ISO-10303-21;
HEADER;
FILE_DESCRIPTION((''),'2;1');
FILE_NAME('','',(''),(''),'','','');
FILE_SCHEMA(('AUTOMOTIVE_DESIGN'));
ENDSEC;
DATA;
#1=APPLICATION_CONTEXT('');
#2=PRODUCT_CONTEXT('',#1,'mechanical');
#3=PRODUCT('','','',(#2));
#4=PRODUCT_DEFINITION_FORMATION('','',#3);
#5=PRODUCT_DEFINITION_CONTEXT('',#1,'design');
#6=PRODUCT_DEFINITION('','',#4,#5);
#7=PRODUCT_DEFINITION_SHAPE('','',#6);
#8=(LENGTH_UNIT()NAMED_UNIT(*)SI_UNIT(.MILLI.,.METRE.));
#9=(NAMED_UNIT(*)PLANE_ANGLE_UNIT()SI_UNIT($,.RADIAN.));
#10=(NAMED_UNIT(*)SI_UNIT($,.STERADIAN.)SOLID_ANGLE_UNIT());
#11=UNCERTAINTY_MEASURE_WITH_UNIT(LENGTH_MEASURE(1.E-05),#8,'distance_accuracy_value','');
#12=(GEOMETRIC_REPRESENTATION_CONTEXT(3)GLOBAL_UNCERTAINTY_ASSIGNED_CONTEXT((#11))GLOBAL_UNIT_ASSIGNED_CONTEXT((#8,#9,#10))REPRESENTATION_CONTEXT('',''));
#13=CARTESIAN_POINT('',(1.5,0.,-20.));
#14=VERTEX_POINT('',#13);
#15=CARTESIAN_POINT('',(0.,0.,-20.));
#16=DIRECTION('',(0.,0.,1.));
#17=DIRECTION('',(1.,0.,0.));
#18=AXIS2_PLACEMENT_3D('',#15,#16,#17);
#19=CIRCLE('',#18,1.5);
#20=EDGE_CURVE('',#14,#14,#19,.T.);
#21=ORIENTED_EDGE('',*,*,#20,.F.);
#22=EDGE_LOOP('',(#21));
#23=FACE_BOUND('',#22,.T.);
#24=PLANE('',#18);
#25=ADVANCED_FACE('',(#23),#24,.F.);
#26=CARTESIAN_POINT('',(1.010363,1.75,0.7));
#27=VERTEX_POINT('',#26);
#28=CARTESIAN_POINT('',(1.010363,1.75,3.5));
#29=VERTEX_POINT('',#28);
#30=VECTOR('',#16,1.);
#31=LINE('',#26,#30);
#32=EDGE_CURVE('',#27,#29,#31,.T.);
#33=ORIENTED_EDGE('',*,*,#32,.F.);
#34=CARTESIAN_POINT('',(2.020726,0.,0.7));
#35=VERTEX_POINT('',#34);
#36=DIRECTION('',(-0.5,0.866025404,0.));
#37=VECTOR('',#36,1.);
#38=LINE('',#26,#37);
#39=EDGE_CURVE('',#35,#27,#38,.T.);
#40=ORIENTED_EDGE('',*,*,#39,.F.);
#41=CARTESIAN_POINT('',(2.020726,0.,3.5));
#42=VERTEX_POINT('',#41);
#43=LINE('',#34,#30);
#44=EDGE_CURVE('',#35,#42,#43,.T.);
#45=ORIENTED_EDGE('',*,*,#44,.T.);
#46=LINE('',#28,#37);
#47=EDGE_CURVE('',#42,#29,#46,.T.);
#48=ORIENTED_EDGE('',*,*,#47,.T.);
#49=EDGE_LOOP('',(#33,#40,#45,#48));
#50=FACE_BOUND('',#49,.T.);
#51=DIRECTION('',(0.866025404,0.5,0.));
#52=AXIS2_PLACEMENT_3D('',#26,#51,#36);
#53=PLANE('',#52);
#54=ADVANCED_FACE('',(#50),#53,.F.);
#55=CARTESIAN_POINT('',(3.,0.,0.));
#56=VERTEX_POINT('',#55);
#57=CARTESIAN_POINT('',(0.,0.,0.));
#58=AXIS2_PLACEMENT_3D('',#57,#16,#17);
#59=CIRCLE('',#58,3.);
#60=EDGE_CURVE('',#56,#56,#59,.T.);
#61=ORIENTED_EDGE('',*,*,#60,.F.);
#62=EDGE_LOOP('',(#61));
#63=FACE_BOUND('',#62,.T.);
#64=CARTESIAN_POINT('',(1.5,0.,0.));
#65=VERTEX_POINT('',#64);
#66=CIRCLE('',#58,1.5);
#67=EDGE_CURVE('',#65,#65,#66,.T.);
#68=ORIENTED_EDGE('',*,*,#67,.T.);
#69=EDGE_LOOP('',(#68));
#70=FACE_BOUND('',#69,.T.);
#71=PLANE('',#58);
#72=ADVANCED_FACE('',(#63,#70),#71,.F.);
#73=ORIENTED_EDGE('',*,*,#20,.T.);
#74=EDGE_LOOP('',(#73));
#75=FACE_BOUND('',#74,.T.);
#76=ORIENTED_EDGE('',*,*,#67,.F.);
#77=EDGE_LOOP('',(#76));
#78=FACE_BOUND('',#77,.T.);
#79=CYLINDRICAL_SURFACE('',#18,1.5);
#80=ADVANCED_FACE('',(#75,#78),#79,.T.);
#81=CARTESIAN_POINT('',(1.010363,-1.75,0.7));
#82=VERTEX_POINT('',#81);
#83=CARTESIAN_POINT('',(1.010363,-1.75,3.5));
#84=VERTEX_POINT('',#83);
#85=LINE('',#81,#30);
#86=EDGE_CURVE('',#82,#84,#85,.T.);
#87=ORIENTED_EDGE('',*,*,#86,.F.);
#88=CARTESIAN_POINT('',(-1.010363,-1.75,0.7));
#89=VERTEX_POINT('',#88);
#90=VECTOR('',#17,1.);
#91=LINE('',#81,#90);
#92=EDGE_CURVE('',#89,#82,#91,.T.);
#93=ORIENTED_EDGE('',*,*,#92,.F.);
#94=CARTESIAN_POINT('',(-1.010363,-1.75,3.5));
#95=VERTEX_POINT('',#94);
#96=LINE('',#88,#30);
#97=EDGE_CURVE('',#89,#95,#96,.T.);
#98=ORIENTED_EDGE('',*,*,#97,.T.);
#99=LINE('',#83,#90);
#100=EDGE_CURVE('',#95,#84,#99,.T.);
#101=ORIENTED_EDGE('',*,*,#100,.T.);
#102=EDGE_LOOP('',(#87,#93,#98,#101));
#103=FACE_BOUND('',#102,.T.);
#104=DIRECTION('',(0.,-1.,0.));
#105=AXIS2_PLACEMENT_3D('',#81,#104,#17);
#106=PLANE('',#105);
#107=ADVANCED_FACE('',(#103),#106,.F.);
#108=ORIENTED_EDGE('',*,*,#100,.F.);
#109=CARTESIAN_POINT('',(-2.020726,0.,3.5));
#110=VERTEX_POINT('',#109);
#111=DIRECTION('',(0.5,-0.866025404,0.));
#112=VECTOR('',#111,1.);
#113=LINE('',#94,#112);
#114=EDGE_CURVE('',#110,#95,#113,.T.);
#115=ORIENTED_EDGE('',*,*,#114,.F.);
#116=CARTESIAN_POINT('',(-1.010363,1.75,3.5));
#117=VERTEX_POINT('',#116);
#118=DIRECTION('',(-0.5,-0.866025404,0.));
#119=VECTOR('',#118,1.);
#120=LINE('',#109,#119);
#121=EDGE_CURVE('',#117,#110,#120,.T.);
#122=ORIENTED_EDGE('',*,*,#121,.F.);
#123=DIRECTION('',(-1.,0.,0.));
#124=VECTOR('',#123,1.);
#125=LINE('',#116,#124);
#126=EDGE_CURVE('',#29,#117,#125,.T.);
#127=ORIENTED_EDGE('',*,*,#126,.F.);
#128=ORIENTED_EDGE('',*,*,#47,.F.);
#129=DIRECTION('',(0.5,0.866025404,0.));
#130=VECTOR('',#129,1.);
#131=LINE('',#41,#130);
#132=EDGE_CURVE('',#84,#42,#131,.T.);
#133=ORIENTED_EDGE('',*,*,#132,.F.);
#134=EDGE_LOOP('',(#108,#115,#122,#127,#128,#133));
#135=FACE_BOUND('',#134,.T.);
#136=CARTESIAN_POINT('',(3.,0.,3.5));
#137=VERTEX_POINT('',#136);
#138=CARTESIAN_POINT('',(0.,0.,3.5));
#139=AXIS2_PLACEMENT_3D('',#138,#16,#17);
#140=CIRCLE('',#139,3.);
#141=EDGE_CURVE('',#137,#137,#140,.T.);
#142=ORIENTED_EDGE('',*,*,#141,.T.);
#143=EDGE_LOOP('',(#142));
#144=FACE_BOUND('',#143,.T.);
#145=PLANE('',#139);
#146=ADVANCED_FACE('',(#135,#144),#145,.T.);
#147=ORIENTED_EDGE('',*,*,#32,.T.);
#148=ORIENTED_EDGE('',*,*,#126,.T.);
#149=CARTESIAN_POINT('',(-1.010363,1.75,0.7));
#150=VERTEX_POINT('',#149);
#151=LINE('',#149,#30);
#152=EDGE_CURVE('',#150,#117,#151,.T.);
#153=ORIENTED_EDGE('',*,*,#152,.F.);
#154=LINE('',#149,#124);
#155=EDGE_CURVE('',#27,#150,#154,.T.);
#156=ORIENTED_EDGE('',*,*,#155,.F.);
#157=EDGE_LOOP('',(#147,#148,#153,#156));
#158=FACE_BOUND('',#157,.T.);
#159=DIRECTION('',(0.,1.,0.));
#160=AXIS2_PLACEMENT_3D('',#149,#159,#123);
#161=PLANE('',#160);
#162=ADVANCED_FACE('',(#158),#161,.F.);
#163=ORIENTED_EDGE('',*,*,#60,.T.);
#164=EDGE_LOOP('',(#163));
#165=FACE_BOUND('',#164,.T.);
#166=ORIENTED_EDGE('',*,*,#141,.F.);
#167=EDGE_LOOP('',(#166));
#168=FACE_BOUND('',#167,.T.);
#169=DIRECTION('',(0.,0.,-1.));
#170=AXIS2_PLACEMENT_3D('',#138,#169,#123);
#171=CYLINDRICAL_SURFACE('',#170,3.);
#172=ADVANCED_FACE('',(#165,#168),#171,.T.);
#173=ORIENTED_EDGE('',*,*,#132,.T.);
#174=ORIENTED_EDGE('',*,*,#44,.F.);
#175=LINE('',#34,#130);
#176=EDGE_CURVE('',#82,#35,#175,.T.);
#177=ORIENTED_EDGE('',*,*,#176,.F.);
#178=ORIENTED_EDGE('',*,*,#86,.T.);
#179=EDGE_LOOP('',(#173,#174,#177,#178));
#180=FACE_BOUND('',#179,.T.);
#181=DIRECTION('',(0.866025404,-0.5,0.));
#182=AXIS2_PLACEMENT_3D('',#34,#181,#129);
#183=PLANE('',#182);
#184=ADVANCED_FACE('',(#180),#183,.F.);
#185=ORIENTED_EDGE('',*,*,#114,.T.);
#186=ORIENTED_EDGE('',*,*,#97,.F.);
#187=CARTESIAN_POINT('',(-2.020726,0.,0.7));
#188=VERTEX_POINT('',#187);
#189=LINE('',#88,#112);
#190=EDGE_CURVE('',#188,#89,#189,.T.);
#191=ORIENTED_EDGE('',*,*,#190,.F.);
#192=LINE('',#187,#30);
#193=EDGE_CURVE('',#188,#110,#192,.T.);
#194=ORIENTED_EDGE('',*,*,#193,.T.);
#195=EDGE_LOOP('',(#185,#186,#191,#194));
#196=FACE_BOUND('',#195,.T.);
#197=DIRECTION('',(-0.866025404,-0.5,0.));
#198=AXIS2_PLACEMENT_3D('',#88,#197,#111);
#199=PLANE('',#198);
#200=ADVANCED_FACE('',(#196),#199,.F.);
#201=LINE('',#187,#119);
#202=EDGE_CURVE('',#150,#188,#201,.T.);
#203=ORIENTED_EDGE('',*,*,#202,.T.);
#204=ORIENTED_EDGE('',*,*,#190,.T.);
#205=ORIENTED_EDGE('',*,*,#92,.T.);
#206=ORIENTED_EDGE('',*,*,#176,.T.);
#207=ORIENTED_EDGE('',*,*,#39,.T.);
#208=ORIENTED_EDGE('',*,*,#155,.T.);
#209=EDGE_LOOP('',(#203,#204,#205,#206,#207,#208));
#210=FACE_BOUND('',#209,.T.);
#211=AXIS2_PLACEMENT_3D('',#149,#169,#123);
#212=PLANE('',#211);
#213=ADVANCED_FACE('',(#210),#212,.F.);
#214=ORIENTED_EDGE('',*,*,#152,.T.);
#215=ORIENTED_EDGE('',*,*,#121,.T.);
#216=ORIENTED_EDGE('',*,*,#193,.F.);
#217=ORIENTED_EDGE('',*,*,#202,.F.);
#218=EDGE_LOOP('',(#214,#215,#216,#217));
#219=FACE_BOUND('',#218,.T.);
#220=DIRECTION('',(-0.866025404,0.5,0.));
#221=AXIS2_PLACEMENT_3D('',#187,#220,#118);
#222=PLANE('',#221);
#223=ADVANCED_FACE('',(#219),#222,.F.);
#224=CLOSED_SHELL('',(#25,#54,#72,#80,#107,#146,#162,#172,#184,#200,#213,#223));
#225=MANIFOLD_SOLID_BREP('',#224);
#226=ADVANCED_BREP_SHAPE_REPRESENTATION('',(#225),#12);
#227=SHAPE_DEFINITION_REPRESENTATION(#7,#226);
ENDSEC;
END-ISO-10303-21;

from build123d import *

# Parameters (mm, degrees)
SKETCH1_R                   = 3
HEAD_BOSS_EXTRUDE1_DEPTH    = 3.5
HEAD_HEX_CUT_EXTRUDE1_DEPTH = 2.8
SKETCH2_R                   = 1.5
SCREW_BOSS_EXTRUDE2_DEPTH   = 20


with BuildPart() as part:
    # Sketch1 → Head Boss-Extrude1 (new body)
    with BuildSketch(Plane.XY):
        Circle(SKETCH1_R)
    extrude(amount=HEAD_BOSS_EXTRUDE1_DEPTH)

    # Sketch3 → Head Hex Cut-Extrude1 (cut)
    with BuildSketch(Plane.XY.offset(3.5)):
        Polygon((-1.010362971, 1.75), (1.010362971, 1.75), (2.020725942, 0), (1.010362971, -1.75), (-1.010362971, -1.75), (-2.020725942, 0), align=None)
    extrude(amount=-HEAD_HEX_CUT_EXTRUDE1_DEPTH, mode=Mode.SUBTRACT)

    # Sketch2 → Screw Boss-Extrude2 (add)
    with BuildSketch(Plane.XY):
        Circle(SKETCH2_R)
    extrude(amount=-SCREW_BOSS_EXTRUDE2_DEPTH)


solid = part.part
